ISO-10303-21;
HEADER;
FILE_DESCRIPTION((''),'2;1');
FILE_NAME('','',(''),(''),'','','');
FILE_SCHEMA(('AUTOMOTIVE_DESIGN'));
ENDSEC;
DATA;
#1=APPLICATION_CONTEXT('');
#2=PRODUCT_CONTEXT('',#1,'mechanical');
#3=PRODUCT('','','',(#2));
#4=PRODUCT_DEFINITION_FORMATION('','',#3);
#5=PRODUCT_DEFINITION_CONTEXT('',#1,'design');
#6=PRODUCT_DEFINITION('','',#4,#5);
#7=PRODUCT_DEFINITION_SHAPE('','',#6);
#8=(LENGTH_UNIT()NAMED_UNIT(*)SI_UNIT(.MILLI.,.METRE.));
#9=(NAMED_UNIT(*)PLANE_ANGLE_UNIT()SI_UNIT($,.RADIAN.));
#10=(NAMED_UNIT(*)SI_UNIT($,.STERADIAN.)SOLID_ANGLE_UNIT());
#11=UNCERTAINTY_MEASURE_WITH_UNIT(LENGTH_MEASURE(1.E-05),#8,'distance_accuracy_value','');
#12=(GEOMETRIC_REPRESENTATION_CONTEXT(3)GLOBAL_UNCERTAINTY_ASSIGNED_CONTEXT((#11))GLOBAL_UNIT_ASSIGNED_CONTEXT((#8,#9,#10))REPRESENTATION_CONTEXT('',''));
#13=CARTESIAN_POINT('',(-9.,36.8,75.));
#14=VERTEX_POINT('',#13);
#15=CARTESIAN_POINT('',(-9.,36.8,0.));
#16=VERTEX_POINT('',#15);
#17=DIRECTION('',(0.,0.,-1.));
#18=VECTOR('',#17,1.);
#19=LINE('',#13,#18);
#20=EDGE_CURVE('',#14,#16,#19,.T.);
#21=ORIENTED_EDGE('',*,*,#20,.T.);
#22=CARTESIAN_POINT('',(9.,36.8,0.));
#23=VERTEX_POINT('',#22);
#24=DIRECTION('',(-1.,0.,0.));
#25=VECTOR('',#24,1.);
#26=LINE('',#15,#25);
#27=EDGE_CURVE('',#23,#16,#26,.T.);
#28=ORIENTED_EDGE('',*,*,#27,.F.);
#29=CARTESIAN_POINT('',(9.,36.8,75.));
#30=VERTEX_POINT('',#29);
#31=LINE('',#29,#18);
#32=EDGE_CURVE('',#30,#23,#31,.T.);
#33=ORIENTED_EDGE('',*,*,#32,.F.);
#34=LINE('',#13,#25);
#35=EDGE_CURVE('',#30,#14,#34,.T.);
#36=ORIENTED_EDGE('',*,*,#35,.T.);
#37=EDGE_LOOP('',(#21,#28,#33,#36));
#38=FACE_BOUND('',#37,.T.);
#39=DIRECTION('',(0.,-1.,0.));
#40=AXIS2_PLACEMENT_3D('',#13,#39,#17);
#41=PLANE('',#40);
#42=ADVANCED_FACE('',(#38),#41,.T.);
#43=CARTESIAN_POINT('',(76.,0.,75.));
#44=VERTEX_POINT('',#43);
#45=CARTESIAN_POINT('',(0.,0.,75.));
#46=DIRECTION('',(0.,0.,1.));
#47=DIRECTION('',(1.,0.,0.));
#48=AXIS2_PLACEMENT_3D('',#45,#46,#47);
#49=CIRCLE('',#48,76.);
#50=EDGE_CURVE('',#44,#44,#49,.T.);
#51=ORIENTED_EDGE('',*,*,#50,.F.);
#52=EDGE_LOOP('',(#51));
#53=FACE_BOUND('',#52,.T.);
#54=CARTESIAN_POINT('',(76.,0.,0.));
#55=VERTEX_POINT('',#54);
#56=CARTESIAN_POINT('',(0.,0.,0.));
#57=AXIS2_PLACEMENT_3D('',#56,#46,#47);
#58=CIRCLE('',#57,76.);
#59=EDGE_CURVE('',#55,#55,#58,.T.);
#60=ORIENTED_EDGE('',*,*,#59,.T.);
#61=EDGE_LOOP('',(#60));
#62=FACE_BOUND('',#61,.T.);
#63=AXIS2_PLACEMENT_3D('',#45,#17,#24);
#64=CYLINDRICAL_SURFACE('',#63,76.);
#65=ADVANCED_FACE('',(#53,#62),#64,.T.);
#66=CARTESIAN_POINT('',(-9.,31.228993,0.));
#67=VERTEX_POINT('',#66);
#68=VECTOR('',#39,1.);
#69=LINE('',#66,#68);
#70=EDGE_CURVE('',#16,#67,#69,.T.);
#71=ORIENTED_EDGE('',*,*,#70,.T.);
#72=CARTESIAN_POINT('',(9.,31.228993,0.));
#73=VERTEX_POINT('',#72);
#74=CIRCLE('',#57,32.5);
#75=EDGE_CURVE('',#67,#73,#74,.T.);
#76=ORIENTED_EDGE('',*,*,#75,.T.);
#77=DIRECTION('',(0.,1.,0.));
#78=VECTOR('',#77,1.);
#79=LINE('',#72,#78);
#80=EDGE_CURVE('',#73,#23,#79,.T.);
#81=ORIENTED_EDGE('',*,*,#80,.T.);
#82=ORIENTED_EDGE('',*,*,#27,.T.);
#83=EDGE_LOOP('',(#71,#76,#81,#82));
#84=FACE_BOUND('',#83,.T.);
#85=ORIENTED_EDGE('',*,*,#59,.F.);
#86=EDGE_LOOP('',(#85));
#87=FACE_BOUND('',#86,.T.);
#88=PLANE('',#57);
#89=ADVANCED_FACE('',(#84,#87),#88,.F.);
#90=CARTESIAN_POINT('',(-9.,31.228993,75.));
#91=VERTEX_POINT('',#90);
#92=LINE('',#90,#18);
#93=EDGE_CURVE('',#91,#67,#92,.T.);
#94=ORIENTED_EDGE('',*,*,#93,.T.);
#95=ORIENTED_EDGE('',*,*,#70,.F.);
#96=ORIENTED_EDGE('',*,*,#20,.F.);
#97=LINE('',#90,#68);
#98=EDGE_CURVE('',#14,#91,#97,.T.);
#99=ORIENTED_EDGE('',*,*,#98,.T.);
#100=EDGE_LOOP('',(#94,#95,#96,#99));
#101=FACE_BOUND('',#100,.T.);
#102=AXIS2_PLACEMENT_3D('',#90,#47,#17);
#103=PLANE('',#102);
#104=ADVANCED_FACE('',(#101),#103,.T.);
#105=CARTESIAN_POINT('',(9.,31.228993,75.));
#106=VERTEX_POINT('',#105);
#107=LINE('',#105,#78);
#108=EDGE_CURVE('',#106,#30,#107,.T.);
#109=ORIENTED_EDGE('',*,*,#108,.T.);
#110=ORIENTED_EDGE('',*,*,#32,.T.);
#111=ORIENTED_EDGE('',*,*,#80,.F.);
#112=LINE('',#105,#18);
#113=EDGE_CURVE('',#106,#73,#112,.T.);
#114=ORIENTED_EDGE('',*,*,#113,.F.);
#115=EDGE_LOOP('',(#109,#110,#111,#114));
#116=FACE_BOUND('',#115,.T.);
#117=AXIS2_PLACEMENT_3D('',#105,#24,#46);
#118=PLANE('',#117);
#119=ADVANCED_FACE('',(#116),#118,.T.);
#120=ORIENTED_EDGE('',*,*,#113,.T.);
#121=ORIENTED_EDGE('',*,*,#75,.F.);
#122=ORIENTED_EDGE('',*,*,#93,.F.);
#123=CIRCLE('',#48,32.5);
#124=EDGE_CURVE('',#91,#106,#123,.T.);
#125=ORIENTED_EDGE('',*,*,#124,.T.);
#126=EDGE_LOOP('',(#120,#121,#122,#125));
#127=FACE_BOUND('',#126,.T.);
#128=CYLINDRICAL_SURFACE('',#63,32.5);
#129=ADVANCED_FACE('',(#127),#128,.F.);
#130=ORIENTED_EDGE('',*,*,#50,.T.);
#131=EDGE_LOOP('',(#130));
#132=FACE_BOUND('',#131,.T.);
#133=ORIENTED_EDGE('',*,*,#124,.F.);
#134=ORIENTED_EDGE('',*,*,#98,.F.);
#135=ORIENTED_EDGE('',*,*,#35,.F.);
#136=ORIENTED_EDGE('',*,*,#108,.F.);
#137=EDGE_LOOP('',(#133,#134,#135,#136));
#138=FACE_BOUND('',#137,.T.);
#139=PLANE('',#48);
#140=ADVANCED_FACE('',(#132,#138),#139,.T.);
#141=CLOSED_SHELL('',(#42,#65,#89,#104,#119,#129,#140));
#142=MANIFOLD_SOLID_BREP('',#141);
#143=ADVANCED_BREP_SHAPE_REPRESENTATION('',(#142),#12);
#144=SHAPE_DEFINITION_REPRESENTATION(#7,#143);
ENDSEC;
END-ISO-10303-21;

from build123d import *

# Parameters (mm, degrees)
SKETCH1_R           = 76
BOSS_EXTRUDE1_DEPTH = 75


with BuildPart() as part:
    # Sketch1 → Boss-Extrude1 (new body)
    with BuildSketch(Plane.XY):
        Circle(SKETCH1_R)
        with BuildLine():
            Line((-9, 31.228992939), (-9, 36.8))
            Line((-9, 36.8), (9, 36.8))
            Line((9, 36.8), (9, 31.228992939))
            ThreePointArc((9, 31.228992939), (0, -32.5), (-9, 31.228992939))
        make_face(mode=Mode.SUBTRACT)
    extrude(amount=BOSS_EXTRUDE1_DEPTH)


solid = part.part
